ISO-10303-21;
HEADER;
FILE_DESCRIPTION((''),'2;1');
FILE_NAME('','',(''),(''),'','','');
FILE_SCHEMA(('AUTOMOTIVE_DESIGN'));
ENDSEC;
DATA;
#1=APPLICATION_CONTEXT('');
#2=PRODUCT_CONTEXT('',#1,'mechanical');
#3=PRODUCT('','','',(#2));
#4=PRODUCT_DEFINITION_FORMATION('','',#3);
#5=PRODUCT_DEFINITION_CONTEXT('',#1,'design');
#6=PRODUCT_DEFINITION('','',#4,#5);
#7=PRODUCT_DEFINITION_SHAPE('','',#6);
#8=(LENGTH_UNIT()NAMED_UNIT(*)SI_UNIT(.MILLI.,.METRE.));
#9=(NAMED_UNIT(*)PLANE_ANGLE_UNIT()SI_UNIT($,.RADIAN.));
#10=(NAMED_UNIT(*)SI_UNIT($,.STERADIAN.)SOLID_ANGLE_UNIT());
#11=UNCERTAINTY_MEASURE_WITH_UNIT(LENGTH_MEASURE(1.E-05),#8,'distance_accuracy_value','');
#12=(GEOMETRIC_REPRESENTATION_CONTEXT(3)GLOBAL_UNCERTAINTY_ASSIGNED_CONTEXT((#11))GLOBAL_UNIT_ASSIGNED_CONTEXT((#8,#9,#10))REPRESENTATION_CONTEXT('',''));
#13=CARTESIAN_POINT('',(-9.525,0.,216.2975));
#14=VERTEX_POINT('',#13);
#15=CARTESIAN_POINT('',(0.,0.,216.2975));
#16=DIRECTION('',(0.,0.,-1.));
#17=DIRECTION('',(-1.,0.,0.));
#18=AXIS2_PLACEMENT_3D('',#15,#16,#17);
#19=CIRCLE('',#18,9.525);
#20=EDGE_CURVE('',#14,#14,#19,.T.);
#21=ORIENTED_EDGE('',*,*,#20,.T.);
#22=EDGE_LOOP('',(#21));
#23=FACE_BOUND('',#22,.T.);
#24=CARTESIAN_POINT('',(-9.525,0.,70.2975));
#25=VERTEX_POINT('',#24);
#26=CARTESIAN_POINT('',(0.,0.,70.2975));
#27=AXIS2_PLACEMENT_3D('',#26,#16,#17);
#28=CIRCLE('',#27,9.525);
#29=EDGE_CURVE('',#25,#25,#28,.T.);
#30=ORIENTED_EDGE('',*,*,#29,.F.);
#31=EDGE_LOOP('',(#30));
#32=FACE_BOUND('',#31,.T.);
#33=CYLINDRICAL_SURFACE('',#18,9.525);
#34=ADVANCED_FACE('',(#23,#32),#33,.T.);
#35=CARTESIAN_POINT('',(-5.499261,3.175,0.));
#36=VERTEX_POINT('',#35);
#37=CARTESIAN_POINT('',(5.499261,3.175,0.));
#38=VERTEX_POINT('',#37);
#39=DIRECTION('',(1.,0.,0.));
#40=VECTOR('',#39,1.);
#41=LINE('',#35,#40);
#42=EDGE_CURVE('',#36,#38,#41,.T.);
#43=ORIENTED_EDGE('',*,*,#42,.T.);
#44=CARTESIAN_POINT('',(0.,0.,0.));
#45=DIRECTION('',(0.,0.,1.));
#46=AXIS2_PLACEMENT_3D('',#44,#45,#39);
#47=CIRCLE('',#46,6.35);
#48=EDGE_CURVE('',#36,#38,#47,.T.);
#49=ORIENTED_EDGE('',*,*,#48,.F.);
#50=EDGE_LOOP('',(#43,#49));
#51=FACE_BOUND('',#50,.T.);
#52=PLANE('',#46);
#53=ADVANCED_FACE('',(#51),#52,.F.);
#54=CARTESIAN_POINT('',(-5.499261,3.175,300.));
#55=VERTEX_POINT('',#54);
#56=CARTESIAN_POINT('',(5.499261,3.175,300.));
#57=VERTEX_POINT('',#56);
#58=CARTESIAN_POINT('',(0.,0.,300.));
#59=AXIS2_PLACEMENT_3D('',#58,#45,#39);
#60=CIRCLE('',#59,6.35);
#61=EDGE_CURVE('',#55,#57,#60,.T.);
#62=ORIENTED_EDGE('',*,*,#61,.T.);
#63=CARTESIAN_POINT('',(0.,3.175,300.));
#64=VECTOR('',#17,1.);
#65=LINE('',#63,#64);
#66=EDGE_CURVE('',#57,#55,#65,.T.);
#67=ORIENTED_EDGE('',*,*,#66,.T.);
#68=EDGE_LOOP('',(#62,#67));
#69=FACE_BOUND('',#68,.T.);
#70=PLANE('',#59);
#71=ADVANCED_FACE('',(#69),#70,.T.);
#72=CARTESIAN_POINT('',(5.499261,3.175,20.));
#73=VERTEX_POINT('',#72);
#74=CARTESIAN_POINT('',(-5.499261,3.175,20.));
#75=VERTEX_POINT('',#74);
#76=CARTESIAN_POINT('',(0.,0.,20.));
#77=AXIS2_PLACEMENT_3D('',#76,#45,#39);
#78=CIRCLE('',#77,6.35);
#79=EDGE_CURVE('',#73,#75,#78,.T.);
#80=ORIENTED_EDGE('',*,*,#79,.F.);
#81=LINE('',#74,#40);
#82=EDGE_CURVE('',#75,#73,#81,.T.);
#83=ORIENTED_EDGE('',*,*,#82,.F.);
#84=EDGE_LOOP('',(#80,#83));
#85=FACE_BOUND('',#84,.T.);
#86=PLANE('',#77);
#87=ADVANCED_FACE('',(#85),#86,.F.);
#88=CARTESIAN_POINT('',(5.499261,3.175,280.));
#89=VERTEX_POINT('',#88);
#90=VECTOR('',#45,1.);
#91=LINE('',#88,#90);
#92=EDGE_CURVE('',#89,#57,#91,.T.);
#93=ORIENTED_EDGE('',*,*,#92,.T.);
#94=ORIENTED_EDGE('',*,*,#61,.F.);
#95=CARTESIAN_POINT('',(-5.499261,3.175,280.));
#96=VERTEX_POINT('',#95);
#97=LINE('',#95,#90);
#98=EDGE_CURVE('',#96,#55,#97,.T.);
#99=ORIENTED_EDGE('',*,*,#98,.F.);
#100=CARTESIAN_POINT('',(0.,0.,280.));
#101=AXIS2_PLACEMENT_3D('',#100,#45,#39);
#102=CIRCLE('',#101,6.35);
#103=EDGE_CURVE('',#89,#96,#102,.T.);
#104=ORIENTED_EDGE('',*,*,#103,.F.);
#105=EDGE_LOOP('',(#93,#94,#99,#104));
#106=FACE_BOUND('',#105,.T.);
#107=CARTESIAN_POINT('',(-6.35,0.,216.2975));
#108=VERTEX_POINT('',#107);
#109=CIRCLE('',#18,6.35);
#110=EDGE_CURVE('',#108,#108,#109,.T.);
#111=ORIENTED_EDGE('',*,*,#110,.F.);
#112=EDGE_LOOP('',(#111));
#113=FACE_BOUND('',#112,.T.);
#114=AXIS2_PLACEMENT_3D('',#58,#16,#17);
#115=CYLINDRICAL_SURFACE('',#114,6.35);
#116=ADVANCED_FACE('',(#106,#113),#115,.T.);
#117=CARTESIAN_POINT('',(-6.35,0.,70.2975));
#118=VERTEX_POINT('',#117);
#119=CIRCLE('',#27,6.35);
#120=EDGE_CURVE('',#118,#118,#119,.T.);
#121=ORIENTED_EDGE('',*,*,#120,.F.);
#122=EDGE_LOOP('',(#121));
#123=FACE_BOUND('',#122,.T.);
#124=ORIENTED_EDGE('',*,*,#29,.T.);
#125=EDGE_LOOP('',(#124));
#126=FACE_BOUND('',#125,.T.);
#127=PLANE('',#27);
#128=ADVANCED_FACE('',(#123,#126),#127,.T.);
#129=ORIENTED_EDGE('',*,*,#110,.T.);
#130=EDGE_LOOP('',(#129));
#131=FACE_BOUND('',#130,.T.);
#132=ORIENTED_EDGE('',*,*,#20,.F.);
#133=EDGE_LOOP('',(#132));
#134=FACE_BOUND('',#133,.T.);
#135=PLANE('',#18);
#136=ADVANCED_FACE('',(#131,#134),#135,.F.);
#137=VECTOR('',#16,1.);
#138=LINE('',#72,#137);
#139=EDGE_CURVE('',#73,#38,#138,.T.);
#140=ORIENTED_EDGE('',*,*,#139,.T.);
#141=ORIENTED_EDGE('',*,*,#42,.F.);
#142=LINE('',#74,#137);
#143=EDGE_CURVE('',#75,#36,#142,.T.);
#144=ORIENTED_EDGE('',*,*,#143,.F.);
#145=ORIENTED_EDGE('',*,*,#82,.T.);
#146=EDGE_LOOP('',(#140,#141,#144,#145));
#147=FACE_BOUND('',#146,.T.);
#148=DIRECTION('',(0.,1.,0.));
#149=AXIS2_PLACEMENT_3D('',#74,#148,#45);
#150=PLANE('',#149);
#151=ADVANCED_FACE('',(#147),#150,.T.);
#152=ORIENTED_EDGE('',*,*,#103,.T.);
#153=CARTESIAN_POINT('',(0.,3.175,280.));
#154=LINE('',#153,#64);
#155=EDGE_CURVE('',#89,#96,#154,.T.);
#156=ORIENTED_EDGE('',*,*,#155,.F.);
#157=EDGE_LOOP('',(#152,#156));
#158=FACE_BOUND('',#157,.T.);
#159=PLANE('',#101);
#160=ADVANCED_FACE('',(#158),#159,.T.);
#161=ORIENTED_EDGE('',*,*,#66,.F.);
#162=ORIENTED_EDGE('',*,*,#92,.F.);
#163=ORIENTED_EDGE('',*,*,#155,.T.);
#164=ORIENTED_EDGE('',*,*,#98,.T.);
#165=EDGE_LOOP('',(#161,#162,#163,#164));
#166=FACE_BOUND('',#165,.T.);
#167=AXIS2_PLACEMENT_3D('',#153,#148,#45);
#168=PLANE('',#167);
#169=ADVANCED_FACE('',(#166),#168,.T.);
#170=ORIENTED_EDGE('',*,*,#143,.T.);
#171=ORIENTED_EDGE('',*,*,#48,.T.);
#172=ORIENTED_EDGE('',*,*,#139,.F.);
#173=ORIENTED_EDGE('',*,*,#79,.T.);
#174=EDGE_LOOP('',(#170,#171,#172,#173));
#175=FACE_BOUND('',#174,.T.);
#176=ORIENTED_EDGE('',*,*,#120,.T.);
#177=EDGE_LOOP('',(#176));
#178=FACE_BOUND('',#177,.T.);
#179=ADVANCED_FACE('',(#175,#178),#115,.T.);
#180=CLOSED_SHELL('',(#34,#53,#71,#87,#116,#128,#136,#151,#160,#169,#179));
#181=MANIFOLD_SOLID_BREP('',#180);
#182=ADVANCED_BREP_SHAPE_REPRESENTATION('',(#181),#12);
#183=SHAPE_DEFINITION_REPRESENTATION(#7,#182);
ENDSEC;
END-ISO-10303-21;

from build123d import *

# Parameters (mm, degrees)
SKETCH1_R           = 6.35
BOSS_EXTRUDE1_DEPTH = 300
BOSS_EXTRUDE2_START = -70.2975
SKETCH2_R           = 9.525
BOSS_EXTRUDE2_DEPTH = 146
CUT_EXTRUDE4_DEPTH  = 20
CUT_EXTRUDE5_START  = 280
CUT_EXTRUDE5_DEPTH  = 20


with BuildPart() as part:
    # Sketch1 → Boss-Extrude1 (new body)
    with BuildSketch(Plane.XY):
        Circle(SKETCH1_R)
    extrude(amount=BOSS_EXTRUDE1_DEPTH)

    # Sketch2 → Boss-Extrude2 (add)
    with BuildSketch(Plane(origin=(0, 0, 0), x_dir=(-1, 0, 0), z_dir=(0, 0, -1)).offset(BOSS_EXTRUDE2_START)):
        Circle(SKETCH2_R)
    extrude(amount=-BOSS_EXTRUDE2_DEPTH)

    # Sketch7 → Cut-Extrude4 (cut)
    with BuildSketch(Plane.XY):
        with BuildLine():
            Line((-5.499261314, 3.175), (5.499261314, 3.175))
            ThreePointArc((5.499261314, 3.175), (0, 6.35), (-5.499261314, 3.175))
        make_face()
    extrude(amount=CUT_EXTRUDE4_DEPTH, mode=Mode.SUBTRACT)

    # Sketch7<3> → Cut-Extrude5 (cut)
    with BuildSketch(Plane.XY.offset(CUT_EXTRUDE5_START)):
        with BuildLine():
            Line((-5.499261314, 3.175), (5.499261314, 3.175))
            ThreePointArc((5.499261314, 3.175), (0, 6.35), (-5.499261314, 3.175))
        make_face()
    extrude(amount=CUT_EXTRUDE5_DEPTH, mode=Mode.SUBTRACT)


solid = part.part
